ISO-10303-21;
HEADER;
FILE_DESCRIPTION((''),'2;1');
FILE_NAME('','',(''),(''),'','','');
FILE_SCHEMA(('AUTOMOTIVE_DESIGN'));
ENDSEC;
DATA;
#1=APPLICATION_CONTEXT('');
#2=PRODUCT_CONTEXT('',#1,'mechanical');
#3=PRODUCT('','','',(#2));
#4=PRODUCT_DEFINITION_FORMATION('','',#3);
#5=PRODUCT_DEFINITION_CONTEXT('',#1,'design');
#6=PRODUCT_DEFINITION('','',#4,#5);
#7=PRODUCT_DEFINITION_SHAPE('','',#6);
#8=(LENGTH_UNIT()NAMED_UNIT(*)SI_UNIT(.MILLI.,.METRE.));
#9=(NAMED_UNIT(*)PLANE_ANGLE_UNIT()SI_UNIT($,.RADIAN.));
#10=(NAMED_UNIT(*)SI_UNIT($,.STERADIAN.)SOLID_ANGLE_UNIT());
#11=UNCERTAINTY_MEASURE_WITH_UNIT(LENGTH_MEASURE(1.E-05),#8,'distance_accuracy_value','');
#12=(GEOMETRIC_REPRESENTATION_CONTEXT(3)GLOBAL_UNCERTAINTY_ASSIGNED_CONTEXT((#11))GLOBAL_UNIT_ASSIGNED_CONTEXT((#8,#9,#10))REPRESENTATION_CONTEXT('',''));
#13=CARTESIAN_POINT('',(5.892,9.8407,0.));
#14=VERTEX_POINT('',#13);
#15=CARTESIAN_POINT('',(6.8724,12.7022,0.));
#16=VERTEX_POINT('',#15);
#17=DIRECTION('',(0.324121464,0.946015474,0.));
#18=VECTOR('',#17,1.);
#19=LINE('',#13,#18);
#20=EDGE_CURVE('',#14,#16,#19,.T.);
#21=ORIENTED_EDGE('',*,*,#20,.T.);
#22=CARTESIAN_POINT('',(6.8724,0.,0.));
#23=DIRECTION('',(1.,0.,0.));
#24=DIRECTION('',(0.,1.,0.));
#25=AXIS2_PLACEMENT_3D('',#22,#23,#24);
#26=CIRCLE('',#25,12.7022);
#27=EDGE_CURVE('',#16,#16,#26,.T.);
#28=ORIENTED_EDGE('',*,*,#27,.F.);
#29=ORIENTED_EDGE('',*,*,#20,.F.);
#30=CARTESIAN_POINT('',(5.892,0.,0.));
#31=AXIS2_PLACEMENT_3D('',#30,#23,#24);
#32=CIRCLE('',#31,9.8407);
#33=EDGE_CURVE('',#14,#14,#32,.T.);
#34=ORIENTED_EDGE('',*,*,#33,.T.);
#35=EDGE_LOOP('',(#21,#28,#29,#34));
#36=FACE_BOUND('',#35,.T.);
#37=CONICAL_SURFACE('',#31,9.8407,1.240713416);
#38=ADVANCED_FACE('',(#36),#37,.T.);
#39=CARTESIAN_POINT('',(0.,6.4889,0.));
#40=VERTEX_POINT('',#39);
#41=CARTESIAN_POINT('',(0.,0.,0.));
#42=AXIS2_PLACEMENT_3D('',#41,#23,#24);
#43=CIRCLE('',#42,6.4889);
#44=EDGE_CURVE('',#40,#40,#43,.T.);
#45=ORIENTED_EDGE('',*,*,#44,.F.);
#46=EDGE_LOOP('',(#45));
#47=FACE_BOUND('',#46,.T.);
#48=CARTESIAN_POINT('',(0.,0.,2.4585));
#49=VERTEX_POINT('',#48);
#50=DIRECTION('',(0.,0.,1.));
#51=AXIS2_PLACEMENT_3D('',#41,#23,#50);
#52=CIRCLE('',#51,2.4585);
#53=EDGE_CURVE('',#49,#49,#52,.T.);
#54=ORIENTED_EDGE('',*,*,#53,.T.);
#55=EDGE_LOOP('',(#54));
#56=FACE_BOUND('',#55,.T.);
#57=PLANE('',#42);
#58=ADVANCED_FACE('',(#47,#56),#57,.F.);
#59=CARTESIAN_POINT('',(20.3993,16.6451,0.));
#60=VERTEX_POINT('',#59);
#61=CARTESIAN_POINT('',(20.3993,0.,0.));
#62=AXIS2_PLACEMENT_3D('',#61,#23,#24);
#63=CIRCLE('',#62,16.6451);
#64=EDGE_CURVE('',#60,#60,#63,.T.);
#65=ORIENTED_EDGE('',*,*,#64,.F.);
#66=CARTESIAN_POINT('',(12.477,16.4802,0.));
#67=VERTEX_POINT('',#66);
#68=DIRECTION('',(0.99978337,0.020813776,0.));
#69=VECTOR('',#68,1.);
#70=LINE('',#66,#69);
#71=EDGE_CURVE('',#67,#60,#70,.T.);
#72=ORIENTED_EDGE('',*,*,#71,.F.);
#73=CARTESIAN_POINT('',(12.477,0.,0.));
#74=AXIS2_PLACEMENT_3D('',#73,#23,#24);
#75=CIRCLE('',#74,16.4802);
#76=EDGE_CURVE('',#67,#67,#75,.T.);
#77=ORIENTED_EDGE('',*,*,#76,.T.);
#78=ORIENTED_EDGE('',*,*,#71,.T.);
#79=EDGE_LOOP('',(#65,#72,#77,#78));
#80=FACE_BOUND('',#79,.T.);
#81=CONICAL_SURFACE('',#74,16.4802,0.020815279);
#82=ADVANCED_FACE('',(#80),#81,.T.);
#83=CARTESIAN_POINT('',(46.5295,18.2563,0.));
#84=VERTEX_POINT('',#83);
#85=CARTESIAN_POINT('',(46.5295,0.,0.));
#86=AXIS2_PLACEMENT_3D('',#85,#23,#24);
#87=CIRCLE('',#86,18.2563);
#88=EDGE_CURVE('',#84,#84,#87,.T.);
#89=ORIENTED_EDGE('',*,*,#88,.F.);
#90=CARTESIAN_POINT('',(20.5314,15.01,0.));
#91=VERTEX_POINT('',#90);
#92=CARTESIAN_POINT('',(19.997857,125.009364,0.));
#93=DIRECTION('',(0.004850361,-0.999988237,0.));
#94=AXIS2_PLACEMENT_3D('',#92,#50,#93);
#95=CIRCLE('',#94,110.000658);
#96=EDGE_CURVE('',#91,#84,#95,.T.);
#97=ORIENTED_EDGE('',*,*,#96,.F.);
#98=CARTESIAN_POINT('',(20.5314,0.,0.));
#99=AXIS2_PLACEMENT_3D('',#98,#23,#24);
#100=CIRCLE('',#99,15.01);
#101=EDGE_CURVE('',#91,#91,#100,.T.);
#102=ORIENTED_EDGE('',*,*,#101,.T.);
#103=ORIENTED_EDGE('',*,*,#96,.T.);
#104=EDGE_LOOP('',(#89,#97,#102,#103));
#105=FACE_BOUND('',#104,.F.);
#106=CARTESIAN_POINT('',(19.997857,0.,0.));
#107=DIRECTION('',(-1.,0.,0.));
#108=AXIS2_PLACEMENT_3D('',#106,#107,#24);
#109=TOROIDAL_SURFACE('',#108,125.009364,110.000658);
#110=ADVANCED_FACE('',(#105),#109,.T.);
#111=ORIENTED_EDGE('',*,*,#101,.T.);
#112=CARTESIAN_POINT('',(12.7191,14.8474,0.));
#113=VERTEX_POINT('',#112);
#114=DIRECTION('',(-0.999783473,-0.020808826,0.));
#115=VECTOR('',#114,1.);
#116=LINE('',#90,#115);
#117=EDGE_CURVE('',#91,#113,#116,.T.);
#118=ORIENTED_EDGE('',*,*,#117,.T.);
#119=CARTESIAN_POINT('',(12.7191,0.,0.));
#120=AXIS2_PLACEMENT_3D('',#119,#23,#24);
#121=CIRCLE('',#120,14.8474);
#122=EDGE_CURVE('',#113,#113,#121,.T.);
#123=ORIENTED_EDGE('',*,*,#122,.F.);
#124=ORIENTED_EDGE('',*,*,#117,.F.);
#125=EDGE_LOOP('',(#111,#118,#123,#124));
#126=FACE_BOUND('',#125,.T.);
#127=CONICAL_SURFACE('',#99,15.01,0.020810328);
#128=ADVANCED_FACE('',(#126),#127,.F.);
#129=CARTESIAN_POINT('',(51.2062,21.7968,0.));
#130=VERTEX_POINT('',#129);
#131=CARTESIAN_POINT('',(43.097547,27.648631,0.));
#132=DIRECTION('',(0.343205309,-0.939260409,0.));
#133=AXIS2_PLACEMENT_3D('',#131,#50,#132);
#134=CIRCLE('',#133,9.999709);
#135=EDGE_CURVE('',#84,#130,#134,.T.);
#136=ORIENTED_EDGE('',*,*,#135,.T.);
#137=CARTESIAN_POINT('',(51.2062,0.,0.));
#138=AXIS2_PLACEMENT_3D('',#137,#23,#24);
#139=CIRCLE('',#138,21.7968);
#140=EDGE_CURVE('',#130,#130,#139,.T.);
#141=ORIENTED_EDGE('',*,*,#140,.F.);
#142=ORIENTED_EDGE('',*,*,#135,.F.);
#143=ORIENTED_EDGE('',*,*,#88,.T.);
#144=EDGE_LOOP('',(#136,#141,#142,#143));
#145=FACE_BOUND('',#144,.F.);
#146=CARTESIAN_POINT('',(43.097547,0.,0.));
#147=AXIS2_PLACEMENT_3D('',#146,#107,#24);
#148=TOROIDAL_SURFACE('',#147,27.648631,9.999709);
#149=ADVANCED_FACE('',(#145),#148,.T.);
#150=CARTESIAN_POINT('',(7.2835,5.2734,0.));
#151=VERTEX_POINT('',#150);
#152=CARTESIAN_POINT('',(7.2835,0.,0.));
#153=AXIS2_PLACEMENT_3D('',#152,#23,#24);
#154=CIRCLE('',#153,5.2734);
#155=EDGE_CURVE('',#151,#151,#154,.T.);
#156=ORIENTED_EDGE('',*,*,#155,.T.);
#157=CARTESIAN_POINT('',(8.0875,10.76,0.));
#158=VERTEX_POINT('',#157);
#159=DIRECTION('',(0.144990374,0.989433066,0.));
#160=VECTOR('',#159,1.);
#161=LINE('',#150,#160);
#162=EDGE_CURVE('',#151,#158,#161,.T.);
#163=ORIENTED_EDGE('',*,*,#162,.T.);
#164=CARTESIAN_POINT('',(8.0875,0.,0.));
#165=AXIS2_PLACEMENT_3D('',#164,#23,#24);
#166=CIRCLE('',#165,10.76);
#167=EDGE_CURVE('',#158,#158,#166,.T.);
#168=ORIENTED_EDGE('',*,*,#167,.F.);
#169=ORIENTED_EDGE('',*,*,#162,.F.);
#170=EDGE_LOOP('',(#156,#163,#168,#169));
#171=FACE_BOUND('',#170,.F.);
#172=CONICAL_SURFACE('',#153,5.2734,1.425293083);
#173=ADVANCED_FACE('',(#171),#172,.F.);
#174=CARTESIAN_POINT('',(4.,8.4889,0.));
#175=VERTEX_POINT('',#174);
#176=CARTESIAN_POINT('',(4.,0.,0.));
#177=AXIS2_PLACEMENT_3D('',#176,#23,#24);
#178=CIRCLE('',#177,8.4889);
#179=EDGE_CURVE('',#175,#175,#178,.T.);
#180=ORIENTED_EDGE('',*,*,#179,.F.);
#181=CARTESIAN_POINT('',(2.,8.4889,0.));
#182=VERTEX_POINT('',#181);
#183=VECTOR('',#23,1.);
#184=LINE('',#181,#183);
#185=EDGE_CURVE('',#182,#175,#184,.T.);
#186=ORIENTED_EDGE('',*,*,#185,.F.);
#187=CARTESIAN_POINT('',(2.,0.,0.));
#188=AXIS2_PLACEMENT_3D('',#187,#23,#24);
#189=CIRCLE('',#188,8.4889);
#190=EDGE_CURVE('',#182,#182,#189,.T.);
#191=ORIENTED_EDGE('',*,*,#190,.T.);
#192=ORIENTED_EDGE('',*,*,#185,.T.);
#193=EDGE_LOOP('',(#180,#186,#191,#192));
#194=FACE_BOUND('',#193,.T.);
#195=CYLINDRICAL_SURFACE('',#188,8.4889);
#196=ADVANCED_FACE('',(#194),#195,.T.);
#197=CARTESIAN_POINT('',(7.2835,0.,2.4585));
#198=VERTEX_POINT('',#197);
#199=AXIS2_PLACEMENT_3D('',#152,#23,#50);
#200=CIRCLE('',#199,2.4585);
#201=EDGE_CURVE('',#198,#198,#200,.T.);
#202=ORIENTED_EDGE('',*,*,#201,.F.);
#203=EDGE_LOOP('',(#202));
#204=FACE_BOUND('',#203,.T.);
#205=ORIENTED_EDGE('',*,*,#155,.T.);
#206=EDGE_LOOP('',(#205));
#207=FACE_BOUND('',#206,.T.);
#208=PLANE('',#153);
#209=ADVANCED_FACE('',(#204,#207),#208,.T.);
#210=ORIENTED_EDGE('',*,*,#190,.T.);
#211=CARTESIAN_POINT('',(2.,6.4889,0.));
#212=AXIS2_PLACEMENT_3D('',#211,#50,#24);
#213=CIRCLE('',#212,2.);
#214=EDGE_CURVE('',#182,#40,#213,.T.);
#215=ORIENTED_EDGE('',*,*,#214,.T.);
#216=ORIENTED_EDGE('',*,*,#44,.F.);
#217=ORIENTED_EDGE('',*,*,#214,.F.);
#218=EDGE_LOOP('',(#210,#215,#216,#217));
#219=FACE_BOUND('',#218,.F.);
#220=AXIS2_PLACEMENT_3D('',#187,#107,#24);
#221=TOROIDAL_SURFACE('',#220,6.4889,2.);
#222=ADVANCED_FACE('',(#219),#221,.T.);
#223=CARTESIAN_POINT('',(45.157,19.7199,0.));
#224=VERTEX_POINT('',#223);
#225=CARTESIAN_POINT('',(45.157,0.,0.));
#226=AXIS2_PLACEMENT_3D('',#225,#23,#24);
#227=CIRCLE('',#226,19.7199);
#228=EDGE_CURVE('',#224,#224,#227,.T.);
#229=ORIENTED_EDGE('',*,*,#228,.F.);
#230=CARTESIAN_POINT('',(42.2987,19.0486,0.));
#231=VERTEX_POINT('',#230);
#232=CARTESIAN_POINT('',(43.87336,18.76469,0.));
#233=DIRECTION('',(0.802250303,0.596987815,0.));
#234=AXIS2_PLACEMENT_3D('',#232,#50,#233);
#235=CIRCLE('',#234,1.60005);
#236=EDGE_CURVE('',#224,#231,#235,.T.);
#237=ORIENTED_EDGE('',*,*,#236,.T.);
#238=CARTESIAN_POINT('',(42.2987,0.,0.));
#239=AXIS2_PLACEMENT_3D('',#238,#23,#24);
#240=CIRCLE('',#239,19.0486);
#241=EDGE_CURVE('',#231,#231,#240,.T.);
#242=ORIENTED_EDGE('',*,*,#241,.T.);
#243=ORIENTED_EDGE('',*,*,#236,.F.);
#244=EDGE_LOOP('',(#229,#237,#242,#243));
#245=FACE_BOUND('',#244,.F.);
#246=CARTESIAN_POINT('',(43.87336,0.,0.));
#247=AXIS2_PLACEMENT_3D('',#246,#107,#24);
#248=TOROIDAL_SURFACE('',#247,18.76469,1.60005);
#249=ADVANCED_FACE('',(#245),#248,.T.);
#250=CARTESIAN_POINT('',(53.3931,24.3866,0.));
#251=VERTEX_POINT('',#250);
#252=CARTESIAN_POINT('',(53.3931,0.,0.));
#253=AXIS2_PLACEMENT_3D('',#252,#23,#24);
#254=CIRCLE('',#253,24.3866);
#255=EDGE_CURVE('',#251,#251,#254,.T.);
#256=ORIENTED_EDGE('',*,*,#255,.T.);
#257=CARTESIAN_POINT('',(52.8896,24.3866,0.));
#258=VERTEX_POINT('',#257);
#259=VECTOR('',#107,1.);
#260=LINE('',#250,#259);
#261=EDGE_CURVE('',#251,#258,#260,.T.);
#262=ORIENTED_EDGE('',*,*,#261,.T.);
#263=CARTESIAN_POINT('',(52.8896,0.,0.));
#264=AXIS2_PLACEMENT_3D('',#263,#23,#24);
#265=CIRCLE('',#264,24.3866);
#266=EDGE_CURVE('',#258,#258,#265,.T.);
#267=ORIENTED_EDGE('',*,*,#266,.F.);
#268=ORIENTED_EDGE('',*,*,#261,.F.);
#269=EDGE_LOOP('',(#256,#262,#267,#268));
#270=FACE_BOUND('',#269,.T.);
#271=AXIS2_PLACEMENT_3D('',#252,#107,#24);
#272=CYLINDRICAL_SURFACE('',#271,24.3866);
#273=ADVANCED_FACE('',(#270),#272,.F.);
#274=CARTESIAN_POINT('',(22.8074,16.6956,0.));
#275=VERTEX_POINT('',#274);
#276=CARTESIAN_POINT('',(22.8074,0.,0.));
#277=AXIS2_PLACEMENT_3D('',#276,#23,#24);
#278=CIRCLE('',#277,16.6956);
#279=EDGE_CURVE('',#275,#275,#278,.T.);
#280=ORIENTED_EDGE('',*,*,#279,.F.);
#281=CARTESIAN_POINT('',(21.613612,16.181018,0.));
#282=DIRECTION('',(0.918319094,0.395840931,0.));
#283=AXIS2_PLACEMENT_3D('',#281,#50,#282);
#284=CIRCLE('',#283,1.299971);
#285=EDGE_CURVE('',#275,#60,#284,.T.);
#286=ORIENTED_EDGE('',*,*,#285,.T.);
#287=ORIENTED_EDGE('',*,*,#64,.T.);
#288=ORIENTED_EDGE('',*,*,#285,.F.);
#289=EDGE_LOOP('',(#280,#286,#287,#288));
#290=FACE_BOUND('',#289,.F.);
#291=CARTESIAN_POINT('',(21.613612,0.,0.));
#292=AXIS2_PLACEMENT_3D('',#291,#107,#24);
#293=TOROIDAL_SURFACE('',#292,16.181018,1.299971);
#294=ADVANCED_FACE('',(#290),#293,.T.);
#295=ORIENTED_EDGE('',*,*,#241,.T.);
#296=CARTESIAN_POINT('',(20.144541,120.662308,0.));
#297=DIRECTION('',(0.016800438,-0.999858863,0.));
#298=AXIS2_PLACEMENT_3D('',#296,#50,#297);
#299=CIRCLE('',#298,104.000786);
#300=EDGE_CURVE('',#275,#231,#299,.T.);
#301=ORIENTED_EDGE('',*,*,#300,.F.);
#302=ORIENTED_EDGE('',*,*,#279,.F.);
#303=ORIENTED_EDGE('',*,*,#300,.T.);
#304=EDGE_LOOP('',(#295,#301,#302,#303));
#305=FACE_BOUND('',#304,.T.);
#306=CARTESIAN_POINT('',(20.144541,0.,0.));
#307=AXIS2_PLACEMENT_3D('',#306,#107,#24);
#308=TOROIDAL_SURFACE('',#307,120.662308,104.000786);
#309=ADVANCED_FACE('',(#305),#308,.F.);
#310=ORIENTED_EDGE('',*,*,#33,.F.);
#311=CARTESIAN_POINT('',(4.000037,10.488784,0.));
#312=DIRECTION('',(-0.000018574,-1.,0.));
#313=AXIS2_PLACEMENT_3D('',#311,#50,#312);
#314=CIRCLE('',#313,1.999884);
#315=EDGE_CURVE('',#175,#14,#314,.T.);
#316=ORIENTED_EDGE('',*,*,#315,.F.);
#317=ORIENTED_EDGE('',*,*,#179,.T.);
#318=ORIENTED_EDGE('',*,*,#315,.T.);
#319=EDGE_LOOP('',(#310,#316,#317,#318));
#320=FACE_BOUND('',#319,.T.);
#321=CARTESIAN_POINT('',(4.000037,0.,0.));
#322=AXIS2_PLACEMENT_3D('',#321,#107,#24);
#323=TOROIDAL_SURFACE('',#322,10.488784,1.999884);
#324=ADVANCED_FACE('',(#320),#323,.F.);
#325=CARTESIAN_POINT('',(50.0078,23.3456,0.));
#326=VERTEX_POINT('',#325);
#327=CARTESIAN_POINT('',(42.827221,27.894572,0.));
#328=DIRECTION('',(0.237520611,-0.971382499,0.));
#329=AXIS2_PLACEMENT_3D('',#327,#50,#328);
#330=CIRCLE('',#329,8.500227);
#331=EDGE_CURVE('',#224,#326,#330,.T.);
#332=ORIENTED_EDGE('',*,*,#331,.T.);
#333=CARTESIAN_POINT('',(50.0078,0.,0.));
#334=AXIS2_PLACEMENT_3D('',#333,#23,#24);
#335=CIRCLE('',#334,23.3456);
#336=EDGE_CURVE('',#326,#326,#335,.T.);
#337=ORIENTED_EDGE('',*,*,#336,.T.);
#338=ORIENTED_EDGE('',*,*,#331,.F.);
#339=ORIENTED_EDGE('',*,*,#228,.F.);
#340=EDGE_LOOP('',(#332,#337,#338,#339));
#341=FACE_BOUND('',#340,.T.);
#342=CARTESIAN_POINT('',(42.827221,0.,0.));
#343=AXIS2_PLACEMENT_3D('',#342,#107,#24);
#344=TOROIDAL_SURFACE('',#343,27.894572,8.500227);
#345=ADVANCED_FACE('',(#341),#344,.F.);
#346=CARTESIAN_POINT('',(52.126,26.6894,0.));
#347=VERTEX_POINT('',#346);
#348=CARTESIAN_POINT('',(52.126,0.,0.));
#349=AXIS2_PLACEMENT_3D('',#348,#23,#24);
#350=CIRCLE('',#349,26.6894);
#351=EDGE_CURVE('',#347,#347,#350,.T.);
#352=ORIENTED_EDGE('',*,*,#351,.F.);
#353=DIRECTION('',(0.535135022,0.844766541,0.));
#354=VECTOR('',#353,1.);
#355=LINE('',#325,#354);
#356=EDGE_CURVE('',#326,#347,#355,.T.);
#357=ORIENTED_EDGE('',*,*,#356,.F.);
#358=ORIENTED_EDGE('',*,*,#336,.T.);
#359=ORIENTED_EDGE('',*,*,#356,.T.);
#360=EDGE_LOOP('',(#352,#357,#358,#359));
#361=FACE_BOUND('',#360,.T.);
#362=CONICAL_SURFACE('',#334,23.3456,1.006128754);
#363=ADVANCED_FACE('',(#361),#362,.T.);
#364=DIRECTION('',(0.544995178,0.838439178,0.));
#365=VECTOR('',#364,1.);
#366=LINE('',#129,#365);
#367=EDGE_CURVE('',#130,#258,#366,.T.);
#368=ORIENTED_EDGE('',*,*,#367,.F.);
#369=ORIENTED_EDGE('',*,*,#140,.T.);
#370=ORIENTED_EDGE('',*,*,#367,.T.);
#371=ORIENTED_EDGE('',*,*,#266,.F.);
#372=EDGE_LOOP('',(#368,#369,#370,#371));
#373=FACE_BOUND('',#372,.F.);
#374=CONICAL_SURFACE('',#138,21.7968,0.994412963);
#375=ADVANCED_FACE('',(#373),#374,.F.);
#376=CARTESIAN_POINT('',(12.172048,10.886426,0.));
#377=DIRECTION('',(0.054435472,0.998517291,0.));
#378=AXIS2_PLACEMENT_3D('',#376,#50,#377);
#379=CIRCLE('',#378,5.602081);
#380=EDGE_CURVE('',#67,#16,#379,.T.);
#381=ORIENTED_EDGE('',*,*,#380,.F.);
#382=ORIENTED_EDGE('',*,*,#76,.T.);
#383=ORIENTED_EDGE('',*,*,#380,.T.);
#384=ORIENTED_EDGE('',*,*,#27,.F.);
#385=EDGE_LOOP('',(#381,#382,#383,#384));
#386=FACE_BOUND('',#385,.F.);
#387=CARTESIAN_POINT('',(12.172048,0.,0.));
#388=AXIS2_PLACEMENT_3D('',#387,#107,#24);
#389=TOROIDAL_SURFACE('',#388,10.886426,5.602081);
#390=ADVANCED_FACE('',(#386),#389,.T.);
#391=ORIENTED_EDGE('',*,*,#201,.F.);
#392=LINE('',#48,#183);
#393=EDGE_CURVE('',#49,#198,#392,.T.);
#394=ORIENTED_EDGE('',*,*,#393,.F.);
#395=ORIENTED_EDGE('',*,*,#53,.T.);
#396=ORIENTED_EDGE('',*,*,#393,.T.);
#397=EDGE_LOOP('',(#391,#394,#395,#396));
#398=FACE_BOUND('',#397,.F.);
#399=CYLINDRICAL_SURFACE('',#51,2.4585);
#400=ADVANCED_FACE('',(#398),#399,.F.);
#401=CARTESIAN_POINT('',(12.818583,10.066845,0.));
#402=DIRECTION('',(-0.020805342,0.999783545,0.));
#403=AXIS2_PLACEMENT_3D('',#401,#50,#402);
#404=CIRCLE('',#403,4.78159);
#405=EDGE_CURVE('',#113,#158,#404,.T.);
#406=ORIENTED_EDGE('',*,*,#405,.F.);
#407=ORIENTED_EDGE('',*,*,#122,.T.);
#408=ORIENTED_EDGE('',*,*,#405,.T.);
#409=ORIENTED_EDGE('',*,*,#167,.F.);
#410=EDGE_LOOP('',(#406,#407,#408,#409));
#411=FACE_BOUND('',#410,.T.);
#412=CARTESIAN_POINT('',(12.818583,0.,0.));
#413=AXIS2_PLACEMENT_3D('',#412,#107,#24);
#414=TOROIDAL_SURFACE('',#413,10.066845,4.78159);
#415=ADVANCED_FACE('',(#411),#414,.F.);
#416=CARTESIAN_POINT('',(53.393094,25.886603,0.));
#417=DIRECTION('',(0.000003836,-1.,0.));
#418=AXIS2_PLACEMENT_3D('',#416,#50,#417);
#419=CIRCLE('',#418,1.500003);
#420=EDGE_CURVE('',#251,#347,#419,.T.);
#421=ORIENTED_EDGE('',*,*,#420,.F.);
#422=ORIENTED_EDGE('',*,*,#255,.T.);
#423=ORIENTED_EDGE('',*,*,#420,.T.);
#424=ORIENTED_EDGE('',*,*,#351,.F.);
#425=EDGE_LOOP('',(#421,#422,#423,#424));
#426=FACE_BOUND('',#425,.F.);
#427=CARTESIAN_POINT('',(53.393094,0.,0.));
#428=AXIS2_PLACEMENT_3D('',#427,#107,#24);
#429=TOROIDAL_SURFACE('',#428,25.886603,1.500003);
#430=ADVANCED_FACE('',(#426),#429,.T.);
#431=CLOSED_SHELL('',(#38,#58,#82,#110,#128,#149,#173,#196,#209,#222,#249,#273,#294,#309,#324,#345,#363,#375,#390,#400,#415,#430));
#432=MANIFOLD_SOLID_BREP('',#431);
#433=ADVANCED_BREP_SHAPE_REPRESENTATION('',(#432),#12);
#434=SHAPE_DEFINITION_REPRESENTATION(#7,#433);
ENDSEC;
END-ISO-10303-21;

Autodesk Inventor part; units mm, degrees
ref_plane "YZ Plane" through (0, 0, 0) normal (1, 0, 0) x (0, 1, 0)
ref_plane "XZ Plane" through (0, 0, 0) normal (0, 1, 0) x (-1, 0, 0)
ref_plane "XY Plane" through (0, 0, 0) normal (0, 0, 1) x (1, 0, 0)
sketch "Skizze1" plane through (0, 0, 0) normal (0, 0, 1) x (1, 0, 0)
  line L0 (-3.4404, 0) -> (70.0911, 0)
  line L1 (0, 0) -> (0, 6.4889)
  arc A0 (2, 8.4889) -> (0, 6.4889) centre (2, 6.4889) ccw
  line L2 (2, 8.4889) -> (4, 8.4889)
  arc A1 (4, 8.4889) -> (5.892, 9.8407) centre (4, 10.4889) ccw
  line L3 (5.892, 9.8407) -> (6.8724, 12.7022)
  arc A2 (12.477, 16.4802) -> (6.8724, 12.7022) centre (12.172, 10.8866) ccw
  line L4 (12.477, 16.4802) -> (21.8918, 16.6762)
  arc A3 (21.8918, 16.6762) -> (44.8462, 19.6376) centre (20.1446, 120.6615) ccw
  arc A4 (44.8462, 19.6376) -> (50.0078, 23.3456) centre (42.8273, 27.8944) ccw
  line L5 (50.0078, 23.3456) -> (52.126, 26.6894)
  arc A5 (53.3931, 24.3866) -> (52.126, 26.6894) centre (53.3931, 25.8866) ccw
  line L6 (53.3931, 24.3866) -> (52.8896, 24.3866)
  line L7 (7.2835, 5.2734) -> (8.0875, 10.76)
  arc A6 (12.7191, 14.8474) -> (8.0875, 10.76) centre (12.8186, 10.0668) ccw
  arc A7 (20.5314, 15.01) -> (46.5295, 18.2563) centre (19.9979, 125.0087) ccw
  arc A8 (46.5295, 18.2563) -> (51.2062, 21.7968) centre (43.0974, 27.6489) ccw
  line L8 (51.2062, 21.7968) -> (52.8896, 24.3866)
  line L9 (7.2835, 5.2734) -> (7.2835, 0)
  line L10 (20.5314, 15.01) -> (12.7191, 14.8474)
  arc A9 (45.157, 19.7199) -> (42.2987, 19.0486) centre (43.8734, 18.7648) ccw
  arc A10 (22.8074, 16.6956) -> (20.3993, 16.6451) centre (21.6136, 16.181) ccw
  point P0 (23.9468, 16.731)
  point P1 (26.5001, 16.8559)
  dimension "d1" = 1.5
  dimension "d5" = 8.5
  dimension "d6" = 10
  dimension "d14" = 2
  dimension "d15" = 2
  dimension "d16" = 1.6
  dimension "d23" = 110
  dimension "d24" = 104
  dimension "d26" = 1.3
revolve "Drehung3" add sketch "Skizze1" angle 360 about axis through (-3.4404, 0, 0) along (1, 0, 0)
sketch "Skizze2" plane through (0, 0, 0) normal (-1, 0, 0) x (0, 0, 1)
  circle A0 centre (0, 0) radius 6.4889 projected
hole "Bohrung1" at (0, 0, 0) direction (1, 0, 0) diameter 4.917 end through all thread size "M6x1" class "6H" standard "ANSI Metrisches M Profil"
properties part number "Glocke01"
